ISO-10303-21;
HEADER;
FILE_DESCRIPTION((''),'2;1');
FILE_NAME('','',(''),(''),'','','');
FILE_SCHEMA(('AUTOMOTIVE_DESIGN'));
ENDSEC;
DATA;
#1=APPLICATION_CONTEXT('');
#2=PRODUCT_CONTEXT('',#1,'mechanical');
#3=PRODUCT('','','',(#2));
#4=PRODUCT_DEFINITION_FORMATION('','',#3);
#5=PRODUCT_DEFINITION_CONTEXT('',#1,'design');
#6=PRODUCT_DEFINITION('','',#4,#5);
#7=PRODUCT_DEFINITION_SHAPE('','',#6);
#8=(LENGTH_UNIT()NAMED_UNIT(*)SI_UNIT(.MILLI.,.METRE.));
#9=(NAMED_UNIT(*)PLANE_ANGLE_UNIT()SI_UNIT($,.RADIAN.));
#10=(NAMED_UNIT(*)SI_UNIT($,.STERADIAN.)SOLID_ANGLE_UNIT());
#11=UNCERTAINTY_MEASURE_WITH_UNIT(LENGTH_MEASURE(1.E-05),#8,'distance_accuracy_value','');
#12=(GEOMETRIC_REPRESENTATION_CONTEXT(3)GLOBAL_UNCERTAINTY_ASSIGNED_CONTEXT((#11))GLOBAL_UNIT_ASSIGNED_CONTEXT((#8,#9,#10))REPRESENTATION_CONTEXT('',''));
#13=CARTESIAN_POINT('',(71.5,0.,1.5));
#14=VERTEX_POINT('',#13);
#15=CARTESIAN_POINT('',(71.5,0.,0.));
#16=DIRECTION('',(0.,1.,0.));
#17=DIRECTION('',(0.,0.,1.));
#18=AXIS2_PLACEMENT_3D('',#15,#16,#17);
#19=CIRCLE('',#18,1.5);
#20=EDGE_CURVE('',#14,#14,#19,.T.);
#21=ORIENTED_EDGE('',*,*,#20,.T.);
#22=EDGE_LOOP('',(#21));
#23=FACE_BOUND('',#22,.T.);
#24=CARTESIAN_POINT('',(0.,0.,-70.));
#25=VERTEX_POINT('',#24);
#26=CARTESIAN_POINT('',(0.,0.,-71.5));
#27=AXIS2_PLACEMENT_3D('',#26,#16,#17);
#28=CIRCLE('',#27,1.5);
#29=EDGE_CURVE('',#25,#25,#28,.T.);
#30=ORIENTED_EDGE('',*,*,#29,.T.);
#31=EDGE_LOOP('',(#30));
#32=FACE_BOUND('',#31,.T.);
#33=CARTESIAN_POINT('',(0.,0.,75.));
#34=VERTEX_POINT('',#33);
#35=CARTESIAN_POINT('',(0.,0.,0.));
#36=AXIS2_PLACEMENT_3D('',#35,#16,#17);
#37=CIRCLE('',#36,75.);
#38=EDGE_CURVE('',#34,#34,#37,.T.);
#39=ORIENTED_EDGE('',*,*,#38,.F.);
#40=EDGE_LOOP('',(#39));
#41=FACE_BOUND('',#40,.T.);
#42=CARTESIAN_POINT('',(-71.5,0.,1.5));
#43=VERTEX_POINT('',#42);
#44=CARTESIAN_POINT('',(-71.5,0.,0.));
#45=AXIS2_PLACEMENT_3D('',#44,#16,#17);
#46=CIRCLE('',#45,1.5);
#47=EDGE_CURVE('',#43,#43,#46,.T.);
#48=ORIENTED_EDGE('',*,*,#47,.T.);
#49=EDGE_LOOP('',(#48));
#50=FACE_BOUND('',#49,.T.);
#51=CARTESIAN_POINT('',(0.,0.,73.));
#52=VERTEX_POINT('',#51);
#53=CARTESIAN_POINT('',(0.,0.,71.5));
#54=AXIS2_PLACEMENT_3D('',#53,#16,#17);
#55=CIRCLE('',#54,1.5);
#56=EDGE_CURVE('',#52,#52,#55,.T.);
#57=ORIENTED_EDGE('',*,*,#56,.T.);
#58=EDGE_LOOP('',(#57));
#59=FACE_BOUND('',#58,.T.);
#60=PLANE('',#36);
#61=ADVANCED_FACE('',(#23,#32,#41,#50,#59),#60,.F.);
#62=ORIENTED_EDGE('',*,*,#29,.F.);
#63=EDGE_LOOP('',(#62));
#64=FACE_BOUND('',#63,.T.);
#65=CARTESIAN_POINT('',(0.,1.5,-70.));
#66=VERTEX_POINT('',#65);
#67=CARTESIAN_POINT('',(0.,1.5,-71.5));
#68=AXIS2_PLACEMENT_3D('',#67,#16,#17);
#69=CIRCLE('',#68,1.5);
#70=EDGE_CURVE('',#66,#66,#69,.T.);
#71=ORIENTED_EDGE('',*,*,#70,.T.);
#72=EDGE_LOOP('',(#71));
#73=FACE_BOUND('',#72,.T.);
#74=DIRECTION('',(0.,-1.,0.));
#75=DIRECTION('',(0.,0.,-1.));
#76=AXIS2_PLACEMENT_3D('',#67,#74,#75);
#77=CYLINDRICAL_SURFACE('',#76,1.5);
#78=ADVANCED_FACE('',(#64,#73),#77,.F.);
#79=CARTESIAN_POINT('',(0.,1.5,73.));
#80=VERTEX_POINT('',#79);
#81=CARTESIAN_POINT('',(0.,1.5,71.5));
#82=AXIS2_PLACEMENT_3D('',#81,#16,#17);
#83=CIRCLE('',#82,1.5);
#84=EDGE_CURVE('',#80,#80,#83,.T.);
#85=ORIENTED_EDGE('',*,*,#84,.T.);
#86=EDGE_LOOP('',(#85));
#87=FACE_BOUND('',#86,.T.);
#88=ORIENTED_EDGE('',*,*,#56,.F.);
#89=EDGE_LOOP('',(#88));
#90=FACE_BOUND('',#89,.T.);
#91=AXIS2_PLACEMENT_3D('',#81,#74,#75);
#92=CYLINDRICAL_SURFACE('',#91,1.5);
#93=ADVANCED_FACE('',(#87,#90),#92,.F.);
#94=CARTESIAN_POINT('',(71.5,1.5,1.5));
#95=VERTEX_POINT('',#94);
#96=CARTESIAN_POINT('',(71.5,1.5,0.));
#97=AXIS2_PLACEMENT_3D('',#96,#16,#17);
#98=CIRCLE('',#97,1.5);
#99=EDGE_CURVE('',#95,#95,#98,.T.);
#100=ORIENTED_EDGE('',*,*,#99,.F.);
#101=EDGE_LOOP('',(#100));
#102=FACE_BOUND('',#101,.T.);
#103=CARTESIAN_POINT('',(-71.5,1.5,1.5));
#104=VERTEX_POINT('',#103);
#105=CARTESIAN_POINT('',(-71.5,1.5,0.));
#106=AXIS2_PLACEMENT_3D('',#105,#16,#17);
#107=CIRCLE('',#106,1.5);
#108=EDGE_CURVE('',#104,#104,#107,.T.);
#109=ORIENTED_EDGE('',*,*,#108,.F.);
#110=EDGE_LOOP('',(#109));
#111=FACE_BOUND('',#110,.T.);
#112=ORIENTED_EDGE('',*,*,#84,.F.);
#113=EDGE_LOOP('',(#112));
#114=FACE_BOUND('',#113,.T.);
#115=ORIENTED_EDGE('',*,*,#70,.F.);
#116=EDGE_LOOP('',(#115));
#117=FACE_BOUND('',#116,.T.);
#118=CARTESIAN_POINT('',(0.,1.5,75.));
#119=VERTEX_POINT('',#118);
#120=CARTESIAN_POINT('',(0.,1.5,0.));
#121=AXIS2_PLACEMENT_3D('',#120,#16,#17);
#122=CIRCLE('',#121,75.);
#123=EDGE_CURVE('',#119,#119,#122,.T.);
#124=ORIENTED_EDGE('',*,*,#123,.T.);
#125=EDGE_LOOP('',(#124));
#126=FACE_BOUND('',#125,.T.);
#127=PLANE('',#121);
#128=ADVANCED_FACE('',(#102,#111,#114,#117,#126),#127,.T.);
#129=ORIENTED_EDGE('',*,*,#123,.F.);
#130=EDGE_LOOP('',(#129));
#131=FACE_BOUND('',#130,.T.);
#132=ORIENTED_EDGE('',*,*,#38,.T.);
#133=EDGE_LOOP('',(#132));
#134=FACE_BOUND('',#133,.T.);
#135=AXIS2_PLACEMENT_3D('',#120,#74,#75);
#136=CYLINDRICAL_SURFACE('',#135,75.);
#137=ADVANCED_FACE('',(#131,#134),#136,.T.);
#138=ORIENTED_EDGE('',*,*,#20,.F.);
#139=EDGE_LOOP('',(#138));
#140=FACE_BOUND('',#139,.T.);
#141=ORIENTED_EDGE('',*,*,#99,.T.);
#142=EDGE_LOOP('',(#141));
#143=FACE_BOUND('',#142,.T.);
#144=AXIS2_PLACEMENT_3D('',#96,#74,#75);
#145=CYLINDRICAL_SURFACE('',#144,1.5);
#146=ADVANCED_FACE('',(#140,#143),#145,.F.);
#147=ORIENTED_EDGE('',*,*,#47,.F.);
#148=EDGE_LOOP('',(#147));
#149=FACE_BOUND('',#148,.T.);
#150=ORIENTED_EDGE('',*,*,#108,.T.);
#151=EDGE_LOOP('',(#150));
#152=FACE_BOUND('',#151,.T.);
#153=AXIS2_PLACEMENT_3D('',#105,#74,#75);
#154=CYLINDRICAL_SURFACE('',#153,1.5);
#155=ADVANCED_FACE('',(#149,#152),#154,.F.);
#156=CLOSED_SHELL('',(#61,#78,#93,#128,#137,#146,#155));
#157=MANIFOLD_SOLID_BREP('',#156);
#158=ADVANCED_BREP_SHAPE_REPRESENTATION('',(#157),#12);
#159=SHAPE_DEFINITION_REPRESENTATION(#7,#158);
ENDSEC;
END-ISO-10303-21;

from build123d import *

# Parameters (mm, degrees)
SKETCH1_R           = 75
SKETCH1_R_2         = 1.5
BOSS_EXTRUDE2_DEPTH = 1.5


with BuildPart() as part:
    # Sketch1 → Boss-Extrude2 (new body)
    with BuildSketch(Plane(origin=(0, 0, 0), x_dir=(1, 0, 0), z_dir=(0, 1, 0))):
        with Locations(Location((0, 0, 0), (0, 0, 270))):
            Circle(SKETCH1_R)
        with Locations(Location((0, 71.5, 0), (0, 0, 270))):
            Circle(SKETCH1_R_2, mode=Mode.SUBTRACT)
        with Locations(Location((71.5, 0, 0), (0, 0, 270))):
            Circle(SKETCH1_R_2, mode=Mode.SUBTRACT)
        with Locations(Location((0, -71.5, 0), (0, 0, 270))):
            Circle(SKETCH1_R_2, mode=Mode.SUBTRACT)
        with Locations(Location((-71.5, 0, 0), (0, 0, 270))):
            Circle(SKETCH1_R_2, mode=Mode.SUBTRACT)
    extrude(amount=BOSS_EXTRUDE2_DEPTH)


solid = part.part
